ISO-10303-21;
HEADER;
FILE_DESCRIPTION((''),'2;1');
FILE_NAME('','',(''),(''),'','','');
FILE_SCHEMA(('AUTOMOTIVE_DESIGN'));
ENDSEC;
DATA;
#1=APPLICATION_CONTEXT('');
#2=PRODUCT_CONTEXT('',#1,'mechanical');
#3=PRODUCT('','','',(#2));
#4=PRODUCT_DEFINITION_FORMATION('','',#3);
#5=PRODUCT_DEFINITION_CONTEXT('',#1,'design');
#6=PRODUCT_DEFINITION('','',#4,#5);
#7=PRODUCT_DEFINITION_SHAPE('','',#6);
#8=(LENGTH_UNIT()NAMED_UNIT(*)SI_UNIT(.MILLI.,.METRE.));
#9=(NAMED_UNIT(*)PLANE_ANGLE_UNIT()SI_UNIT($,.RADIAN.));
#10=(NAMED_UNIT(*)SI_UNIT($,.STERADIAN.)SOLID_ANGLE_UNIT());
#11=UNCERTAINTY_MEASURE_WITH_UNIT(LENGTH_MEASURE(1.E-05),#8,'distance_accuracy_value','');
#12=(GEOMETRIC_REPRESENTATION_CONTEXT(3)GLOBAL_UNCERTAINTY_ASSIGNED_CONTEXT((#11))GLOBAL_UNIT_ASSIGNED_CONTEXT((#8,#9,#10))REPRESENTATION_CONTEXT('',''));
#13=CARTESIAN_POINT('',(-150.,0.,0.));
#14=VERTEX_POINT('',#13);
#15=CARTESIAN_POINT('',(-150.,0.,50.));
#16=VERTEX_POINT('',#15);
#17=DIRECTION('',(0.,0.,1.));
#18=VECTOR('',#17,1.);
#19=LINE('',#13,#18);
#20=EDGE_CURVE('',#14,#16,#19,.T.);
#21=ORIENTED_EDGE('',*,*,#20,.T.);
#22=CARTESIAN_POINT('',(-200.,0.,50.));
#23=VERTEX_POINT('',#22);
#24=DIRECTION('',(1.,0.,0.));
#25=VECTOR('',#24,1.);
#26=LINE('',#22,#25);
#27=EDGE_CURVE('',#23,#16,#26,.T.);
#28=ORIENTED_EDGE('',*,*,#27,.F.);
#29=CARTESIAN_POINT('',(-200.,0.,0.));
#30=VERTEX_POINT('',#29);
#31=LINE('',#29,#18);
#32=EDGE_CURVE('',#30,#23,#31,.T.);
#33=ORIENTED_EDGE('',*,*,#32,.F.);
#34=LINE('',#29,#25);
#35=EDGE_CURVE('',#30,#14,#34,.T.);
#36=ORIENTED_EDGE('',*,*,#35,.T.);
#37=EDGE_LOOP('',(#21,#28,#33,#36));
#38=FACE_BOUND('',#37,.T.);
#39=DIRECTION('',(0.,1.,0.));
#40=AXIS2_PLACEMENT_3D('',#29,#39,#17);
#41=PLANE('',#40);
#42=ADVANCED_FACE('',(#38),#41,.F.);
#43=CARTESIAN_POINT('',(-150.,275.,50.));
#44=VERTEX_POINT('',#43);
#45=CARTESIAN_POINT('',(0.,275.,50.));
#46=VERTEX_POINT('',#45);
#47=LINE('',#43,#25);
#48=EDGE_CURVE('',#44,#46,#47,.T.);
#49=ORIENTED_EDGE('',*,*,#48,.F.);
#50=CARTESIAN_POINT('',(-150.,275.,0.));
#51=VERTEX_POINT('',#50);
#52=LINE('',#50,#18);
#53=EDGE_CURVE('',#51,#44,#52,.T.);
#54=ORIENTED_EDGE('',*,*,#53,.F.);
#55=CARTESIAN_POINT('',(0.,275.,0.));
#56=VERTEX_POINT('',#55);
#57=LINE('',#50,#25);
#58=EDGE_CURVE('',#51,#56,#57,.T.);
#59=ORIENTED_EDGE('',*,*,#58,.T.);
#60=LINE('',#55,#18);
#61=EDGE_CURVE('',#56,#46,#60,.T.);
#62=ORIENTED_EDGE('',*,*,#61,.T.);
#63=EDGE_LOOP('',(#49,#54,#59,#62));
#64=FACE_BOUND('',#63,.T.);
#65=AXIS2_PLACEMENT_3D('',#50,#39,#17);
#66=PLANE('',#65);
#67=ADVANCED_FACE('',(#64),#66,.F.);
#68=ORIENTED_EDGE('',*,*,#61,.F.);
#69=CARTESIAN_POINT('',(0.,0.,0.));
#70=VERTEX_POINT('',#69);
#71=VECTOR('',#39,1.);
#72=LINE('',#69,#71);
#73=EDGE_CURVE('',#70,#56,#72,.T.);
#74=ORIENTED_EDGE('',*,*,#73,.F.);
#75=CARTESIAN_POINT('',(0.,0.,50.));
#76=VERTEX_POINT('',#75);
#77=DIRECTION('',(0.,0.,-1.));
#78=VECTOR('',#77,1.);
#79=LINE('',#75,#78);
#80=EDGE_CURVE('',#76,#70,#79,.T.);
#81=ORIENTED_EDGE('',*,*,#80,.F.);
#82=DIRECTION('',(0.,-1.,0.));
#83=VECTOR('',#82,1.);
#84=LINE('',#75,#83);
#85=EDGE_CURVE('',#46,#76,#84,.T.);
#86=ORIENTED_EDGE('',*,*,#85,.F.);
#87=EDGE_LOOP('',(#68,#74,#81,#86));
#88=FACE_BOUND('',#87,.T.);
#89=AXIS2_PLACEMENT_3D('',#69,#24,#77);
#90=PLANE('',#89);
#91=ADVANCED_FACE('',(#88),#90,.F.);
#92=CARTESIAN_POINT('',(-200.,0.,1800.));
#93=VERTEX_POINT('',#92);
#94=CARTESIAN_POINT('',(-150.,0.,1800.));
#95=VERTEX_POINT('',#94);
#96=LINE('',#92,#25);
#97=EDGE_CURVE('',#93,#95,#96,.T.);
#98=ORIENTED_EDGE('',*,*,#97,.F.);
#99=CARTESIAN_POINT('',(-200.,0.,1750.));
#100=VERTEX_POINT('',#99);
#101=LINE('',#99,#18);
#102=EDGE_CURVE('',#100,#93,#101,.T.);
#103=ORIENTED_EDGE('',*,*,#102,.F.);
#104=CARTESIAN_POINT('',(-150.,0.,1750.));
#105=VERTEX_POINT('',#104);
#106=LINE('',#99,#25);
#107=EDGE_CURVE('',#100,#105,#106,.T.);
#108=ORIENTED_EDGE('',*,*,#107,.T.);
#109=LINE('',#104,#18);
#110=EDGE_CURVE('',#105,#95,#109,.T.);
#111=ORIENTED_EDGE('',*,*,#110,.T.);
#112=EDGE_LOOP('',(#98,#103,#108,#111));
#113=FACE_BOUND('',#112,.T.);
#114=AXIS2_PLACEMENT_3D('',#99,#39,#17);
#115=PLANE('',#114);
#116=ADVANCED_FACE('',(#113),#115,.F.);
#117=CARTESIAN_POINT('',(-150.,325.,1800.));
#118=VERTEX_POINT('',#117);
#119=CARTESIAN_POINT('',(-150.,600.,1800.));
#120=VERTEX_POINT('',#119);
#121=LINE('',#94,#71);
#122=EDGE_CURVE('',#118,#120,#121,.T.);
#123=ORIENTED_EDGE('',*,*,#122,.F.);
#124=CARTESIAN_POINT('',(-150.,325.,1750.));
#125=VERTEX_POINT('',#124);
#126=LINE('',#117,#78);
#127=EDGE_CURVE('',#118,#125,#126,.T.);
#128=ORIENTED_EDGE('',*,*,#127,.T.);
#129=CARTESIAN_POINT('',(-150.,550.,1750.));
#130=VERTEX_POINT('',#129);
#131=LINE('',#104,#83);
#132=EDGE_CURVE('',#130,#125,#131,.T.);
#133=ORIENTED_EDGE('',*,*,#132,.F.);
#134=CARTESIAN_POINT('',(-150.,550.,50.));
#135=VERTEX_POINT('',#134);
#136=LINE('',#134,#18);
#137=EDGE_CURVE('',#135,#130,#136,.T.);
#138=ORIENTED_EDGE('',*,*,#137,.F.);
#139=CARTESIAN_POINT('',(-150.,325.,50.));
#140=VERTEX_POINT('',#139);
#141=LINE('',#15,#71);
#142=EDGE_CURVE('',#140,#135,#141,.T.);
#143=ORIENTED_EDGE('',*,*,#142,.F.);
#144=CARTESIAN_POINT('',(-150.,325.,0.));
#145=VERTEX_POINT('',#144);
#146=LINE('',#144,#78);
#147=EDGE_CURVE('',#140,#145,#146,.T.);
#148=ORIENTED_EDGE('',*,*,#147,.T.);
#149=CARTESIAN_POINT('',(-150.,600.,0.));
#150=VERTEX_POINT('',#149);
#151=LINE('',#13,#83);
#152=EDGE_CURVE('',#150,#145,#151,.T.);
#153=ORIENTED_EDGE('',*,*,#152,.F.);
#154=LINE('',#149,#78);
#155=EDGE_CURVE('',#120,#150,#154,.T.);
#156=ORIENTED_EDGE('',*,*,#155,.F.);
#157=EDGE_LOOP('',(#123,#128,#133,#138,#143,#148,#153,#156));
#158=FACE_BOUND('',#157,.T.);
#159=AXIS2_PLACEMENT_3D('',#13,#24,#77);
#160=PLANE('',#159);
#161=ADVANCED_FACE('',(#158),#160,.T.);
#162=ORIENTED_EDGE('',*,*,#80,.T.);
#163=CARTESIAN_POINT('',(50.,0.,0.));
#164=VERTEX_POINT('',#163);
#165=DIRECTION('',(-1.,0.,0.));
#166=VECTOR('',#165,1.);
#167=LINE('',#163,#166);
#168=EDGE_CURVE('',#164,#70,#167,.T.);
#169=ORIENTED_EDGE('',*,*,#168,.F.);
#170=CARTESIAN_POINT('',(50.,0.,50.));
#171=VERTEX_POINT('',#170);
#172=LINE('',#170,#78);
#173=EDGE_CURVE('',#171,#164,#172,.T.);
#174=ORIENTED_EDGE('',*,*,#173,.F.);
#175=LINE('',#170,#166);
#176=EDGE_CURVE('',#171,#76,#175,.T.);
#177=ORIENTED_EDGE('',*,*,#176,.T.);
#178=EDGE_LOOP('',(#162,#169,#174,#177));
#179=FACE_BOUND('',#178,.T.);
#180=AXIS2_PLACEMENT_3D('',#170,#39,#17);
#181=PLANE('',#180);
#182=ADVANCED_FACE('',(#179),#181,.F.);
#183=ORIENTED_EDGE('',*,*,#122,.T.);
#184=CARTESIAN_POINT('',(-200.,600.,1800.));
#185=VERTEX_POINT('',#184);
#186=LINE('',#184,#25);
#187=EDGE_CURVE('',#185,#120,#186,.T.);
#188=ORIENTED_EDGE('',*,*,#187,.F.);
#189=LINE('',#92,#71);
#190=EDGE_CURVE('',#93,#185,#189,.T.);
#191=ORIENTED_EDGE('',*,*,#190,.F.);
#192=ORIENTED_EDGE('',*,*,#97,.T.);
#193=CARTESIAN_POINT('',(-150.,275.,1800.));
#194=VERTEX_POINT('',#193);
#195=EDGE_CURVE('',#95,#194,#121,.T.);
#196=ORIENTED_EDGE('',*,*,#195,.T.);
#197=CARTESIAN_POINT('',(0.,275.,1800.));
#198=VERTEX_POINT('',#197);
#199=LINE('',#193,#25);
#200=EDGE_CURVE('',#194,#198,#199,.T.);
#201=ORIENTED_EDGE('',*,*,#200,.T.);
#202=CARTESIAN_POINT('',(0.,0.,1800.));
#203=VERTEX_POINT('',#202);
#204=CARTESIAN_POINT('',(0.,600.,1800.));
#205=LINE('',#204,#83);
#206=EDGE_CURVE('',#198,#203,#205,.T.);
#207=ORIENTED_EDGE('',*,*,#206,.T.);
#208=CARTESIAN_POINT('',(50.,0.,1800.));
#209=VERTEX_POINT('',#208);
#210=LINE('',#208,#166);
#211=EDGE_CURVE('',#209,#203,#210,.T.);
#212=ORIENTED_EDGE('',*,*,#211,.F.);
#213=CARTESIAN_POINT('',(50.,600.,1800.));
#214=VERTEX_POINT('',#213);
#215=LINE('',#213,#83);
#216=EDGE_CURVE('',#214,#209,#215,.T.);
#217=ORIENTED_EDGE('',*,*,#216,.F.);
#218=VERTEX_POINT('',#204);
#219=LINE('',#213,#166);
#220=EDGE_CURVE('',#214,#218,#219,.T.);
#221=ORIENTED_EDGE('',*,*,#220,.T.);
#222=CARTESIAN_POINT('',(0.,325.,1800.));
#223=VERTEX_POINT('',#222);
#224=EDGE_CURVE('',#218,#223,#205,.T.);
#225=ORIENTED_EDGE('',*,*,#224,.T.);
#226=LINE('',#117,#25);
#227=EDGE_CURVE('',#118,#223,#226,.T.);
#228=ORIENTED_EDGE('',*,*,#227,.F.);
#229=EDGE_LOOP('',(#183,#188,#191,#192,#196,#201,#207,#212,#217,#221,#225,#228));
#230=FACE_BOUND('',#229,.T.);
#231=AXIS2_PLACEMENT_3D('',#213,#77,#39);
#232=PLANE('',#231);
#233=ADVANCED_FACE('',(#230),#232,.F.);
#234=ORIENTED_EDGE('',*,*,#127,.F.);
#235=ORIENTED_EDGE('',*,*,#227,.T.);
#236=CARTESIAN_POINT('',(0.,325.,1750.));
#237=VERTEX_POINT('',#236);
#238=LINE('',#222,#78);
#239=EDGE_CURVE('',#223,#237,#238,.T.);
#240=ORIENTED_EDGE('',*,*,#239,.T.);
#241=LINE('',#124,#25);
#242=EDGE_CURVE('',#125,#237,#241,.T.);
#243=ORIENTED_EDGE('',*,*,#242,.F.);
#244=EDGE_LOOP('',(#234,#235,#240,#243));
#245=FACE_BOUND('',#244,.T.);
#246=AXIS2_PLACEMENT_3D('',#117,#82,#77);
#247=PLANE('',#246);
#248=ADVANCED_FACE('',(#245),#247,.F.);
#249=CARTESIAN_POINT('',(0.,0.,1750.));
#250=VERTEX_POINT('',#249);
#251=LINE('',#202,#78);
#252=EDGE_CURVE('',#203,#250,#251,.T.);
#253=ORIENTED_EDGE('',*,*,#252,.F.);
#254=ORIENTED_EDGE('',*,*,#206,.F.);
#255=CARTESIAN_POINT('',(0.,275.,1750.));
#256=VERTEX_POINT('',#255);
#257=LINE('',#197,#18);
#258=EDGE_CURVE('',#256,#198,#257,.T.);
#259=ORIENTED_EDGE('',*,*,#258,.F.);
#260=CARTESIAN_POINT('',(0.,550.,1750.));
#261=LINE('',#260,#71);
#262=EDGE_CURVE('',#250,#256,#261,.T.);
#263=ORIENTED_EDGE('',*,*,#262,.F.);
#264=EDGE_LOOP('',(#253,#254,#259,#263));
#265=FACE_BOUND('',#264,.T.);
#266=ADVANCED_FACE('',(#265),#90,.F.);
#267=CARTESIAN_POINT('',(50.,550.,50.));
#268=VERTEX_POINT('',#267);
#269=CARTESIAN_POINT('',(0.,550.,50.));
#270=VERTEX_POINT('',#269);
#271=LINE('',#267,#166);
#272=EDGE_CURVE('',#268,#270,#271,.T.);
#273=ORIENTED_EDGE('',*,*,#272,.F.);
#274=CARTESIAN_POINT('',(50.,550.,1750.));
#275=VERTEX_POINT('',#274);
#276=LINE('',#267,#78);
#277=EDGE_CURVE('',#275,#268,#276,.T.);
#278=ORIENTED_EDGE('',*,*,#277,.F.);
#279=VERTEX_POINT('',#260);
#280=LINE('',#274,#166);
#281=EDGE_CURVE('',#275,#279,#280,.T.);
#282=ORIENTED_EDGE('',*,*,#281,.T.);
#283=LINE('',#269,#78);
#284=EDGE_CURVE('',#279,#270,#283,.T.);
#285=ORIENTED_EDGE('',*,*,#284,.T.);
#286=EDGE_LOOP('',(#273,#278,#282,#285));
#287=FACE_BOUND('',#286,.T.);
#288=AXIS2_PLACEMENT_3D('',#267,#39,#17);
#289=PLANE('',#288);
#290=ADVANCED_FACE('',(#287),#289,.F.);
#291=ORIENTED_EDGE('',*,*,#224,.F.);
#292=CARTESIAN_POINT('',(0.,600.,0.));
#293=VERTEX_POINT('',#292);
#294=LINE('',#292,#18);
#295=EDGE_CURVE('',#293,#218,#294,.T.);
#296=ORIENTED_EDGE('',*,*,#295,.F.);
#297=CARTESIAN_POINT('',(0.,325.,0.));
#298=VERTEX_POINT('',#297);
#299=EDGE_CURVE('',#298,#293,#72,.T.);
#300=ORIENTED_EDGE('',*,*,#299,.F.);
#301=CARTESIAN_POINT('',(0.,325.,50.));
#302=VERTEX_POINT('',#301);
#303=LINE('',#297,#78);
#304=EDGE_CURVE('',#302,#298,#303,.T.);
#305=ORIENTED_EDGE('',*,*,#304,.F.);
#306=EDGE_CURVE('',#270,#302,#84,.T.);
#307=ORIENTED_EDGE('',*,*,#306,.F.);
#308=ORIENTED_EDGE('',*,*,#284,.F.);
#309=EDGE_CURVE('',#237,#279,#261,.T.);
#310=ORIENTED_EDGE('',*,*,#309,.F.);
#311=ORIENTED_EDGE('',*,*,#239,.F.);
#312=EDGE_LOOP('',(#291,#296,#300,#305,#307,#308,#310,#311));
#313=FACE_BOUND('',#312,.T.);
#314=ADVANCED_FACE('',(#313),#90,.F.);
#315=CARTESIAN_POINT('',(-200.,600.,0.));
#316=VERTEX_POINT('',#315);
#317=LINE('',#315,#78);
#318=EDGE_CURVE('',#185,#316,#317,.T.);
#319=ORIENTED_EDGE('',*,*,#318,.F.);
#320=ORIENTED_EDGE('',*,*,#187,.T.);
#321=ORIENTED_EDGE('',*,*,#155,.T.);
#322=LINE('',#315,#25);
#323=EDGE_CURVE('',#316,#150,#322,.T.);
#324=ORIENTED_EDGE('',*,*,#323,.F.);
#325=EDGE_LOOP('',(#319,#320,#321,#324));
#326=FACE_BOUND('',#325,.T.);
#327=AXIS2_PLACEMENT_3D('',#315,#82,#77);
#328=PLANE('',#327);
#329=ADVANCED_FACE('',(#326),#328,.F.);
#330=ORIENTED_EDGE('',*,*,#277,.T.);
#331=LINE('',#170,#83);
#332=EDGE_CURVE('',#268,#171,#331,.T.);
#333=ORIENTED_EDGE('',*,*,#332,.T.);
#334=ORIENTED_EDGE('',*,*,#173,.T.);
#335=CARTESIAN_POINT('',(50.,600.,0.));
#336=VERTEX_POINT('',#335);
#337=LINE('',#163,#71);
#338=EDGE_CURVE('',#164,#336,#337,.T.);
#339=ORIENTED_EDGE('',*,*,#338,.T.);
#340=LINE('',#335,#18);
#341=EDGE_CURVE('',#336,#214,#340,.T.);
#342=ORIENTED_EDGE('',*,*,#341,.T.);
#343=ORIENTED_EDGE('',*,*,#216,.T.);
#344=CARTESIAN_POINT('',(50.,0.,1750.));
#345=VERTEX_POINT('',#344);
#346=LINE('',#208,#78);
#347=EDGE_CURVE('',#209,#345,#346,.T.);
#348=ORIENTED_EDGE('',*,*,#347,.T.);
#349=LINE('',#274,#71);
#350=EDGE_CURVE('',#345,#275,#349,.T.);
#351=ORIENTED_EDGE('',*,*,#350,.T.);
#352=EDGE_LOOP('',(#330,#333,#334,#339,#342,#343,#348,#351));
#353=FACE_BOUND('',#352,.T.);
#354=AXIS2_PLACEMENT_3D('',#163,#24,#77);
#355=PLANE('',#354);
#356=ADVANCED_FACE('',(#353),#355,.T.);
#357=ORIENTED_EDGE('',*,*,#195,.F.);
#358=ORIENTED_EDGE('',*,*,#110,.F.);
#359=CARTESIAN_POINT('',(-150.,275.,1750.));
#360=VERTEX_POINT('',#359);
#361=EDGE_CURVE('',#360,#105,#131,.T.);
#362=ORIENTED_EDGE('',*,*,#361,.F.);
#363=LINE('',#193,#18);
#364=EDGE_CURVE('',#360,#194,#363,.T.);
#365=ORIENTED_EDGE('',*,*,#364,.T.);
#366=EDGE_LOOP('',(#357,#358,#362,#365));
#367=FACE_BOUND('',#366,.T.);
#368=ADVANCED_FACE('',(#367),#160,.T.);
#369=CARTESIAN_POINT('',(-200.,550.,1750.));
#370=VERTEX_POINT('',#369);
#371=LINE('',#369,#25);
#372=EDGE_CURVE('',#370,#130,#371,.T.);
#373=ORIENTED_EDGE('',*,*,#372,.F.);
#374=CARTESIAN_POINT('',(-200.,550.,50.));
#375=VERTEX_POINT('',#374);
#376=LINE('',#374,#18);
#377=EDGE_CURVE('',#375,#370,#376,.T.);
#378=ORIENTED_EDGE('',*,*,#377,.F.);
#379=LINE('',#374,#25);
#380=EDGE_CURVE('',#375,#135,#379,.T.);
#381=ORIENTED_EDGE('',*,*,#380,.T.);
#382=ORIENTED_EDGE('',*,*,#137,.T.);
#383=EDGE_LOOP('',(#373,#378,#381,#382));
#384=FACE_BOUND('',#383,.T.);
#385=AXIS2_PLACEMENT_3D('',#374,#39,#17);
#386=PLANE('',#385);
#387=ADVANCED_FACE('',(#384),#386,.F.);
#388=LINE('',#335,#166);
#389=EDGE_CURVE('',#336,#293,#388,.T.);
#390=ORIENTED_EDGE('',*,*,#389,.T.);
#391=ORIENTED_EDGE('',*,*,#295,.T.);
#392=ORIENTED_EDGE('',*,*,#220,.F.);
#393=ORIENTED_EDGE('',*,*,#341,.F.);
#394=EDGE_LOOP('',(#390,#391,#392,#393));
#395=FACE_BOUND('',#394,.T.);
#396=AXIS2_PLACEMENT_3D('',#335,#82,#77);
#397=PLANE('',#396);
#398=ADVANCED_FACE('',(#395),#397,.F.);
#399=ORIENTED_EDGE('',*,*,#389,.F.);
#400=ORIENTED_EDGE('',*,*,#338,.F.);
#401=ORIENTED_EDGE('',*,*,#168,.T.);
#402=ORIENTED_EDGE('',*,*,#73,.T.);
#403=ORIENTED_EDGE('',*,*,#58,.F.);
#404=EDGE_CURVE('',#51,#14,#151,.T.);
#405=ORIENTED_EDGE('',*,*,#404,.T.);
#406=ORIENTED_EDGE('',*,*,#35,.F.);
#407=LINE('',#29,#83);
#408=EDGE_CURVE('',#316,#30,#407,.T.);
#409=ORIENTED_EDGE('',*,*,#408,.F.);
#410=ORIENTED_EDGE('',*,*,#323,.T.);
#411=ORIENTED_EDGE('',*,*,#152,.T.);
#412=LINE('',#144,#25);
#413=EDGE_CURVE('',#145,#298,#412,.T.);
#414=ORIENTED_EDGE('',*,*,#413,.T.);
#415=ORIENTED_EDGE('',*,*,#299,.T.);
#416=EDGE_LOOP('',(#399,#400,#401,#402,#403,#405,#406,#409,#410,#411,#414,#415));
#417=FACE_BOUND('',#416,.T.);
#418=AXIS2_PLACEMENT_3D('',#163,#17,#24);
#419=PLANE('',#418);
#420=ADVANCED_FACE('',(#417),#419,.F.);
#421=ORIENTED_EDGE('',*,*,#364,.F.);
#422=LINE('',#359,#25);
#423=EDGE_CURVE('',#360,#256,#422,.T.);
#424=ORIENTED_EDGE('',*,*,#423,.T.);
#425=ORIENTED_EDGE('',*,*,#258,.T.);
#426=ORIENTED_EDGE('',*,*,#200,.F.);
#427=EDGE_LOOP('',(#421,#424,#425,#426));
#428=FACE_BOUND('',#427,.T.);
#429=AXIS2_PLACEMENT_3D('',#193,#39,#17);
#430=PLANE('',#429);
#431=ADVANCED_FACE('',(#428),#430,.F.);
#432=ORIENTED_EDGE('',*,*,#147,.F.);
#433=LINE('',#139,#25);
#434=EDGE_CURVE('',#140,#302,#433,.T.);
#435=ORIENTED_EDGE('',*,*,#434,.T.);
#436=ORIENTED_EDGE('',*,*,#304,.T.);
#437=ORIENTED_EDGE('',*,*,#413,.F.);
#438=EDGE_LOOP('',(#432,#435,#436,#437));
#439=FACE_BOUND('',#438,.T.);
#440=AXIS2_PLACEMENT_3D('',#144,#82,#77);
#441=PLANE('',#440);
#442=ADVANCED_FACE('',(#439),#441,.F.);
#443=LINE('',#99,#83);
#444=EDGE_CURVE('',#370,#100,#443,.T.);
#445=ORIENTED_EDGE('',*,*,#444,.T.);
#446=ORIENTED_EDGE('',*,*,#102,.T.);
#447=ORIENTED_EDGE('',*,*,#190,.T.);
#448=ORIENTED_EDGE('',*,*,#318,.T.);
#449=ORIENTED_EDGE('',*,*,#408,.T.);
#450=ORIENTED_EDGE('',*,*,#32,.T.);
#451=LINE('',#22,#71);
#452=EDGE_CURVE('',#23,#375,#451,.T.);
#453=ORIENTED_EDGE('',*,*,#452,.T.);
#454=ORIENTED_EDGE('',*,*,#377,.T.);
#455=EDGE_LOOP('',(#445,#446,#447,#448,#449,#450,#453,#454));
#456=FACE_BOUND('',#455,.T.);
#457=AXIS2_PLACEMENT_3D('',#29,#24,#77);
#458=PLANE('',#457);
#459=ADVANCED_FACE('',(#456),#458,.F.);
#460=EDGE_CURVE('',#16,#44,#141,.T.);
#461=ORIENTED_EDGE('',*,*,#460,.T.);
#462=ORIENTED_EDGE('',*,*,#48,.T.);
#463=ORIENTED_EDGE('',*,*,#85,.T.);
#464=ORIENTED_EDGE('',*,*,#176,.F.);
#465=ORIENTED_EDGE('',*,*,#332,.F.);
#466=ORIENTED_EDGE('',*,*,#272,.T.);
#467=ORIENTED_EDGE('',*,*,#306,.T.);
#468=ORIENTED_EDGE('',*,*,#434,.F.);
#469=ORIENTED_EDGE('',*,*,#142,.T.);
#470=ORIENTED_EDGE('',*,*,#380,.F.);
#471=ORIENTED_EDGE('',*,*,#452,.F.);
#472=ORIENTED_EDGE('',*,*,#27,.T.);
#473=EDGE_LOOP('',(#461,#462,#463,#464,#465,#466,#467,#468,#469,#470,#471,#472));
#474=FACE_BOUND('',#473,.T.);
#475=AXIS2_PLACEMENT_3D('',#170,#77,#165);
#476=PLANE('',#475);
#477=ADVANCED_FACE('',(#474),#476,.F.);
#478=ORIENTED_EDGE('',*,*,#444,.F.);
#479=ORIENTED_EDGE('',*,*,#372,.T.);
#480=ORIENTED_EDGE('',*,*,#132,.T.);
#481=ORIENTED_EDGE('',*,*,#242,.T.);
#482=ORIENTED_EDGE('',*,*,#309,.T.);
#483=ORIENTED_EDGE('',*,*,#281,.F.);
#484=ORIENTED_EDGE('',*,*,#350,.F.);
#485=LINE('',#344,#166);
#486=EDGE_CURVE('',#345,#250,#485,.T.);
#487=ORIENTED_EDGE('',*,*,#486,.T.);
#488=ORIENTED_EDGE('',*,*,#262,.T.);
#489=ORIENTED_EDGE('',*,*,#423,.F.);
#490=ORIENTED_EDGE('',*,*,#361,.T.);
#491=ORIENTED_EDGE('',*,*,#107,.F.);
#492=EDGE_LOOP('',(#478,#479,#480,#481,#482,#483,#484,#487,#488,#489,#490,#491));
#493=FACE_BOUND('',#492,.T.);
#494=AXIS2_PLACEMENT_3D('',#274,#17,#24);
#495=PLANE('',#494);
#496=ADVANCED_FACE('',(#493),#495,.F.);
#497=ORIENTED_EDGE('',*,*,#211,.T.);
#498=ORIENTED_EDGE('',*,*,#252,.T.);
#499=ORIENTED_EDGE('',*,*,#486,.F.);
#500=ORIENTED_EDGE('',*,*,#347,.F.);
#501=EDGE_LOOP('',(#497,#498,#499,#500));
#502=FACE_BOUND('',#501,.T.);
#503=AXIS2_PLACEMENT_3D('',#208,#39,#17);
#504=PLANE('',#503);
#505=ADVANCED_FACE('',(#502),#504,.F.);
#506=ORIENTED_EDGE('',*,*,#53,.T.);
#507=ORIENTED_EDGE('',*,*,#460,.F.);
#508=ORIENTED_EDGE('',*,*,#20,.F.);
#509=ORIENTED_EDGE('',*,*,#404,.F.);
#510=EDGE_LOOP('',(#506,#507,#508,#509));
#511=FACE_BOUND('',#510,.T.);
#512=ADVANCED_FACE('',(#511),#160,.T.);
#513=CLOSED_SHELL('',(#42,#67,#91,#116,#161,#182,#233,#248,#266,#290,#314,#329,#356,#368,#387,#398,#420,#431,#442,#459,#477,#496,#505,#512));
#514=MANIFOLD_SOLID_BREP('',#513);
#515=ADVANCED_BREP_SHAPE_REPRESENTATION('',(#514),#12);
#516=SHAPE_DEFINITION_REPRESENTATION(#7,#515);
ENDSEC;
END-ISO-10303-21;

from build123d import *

# Parameters (mm, degrees)
SALIENTE_EXTRUIR1_DEPTH = 50
CROQUIS2_W              = 50
CROQUIS2_H              = 50
SALIENTE_EXTRUIR2_DEPTH = 150
SALIENTE_EXTRUIR3_DEPTH = 50


with BuildPart() as part:
    # Croquis1 → Saliente-Extruir1 (new body)
    with BuildSketch(Plane(origin=(0, 0, 0), x_dir=(0, 0, -1), z_dir=(1, 0, 0))):
        Polygon((0, 0), (0, 600), (-1800, 600), (-1800, 0), (-1750, 0), (-1750, 550), (-50, 550), (-50, 0), align=None)
    extrude(amount=SALIENTE_EXTRUIR1_DEPTH)

    # Croquis2 → Saliente-Extruir2 (add)
    with BuildSketch(Plane.ZY):
        with Locations((1775, 300)):
            Rectangle(CROQUIS2_W, CROQUIS2_H)
        with Locations((25, 300)):
            Rectangle(CROQUIS2_W, CROQUIS2_H)
    extrude(amount=SALIENTE_EXTRUIR2_DEPTH)

    # Croquis3 → Saliente-Extruir3 (add)
    with BuildSketch(Plane.ZY.offset(150)):
        Polygon((1750, 0), (1800, 0), (1800, 600), (0, 600), (0, 0), (50, 0), (50, 550), (1750, 550), align=None)
    extrude(amount=SALIENTE_EXTRUIR3_DEPTH)


solid = part.part
